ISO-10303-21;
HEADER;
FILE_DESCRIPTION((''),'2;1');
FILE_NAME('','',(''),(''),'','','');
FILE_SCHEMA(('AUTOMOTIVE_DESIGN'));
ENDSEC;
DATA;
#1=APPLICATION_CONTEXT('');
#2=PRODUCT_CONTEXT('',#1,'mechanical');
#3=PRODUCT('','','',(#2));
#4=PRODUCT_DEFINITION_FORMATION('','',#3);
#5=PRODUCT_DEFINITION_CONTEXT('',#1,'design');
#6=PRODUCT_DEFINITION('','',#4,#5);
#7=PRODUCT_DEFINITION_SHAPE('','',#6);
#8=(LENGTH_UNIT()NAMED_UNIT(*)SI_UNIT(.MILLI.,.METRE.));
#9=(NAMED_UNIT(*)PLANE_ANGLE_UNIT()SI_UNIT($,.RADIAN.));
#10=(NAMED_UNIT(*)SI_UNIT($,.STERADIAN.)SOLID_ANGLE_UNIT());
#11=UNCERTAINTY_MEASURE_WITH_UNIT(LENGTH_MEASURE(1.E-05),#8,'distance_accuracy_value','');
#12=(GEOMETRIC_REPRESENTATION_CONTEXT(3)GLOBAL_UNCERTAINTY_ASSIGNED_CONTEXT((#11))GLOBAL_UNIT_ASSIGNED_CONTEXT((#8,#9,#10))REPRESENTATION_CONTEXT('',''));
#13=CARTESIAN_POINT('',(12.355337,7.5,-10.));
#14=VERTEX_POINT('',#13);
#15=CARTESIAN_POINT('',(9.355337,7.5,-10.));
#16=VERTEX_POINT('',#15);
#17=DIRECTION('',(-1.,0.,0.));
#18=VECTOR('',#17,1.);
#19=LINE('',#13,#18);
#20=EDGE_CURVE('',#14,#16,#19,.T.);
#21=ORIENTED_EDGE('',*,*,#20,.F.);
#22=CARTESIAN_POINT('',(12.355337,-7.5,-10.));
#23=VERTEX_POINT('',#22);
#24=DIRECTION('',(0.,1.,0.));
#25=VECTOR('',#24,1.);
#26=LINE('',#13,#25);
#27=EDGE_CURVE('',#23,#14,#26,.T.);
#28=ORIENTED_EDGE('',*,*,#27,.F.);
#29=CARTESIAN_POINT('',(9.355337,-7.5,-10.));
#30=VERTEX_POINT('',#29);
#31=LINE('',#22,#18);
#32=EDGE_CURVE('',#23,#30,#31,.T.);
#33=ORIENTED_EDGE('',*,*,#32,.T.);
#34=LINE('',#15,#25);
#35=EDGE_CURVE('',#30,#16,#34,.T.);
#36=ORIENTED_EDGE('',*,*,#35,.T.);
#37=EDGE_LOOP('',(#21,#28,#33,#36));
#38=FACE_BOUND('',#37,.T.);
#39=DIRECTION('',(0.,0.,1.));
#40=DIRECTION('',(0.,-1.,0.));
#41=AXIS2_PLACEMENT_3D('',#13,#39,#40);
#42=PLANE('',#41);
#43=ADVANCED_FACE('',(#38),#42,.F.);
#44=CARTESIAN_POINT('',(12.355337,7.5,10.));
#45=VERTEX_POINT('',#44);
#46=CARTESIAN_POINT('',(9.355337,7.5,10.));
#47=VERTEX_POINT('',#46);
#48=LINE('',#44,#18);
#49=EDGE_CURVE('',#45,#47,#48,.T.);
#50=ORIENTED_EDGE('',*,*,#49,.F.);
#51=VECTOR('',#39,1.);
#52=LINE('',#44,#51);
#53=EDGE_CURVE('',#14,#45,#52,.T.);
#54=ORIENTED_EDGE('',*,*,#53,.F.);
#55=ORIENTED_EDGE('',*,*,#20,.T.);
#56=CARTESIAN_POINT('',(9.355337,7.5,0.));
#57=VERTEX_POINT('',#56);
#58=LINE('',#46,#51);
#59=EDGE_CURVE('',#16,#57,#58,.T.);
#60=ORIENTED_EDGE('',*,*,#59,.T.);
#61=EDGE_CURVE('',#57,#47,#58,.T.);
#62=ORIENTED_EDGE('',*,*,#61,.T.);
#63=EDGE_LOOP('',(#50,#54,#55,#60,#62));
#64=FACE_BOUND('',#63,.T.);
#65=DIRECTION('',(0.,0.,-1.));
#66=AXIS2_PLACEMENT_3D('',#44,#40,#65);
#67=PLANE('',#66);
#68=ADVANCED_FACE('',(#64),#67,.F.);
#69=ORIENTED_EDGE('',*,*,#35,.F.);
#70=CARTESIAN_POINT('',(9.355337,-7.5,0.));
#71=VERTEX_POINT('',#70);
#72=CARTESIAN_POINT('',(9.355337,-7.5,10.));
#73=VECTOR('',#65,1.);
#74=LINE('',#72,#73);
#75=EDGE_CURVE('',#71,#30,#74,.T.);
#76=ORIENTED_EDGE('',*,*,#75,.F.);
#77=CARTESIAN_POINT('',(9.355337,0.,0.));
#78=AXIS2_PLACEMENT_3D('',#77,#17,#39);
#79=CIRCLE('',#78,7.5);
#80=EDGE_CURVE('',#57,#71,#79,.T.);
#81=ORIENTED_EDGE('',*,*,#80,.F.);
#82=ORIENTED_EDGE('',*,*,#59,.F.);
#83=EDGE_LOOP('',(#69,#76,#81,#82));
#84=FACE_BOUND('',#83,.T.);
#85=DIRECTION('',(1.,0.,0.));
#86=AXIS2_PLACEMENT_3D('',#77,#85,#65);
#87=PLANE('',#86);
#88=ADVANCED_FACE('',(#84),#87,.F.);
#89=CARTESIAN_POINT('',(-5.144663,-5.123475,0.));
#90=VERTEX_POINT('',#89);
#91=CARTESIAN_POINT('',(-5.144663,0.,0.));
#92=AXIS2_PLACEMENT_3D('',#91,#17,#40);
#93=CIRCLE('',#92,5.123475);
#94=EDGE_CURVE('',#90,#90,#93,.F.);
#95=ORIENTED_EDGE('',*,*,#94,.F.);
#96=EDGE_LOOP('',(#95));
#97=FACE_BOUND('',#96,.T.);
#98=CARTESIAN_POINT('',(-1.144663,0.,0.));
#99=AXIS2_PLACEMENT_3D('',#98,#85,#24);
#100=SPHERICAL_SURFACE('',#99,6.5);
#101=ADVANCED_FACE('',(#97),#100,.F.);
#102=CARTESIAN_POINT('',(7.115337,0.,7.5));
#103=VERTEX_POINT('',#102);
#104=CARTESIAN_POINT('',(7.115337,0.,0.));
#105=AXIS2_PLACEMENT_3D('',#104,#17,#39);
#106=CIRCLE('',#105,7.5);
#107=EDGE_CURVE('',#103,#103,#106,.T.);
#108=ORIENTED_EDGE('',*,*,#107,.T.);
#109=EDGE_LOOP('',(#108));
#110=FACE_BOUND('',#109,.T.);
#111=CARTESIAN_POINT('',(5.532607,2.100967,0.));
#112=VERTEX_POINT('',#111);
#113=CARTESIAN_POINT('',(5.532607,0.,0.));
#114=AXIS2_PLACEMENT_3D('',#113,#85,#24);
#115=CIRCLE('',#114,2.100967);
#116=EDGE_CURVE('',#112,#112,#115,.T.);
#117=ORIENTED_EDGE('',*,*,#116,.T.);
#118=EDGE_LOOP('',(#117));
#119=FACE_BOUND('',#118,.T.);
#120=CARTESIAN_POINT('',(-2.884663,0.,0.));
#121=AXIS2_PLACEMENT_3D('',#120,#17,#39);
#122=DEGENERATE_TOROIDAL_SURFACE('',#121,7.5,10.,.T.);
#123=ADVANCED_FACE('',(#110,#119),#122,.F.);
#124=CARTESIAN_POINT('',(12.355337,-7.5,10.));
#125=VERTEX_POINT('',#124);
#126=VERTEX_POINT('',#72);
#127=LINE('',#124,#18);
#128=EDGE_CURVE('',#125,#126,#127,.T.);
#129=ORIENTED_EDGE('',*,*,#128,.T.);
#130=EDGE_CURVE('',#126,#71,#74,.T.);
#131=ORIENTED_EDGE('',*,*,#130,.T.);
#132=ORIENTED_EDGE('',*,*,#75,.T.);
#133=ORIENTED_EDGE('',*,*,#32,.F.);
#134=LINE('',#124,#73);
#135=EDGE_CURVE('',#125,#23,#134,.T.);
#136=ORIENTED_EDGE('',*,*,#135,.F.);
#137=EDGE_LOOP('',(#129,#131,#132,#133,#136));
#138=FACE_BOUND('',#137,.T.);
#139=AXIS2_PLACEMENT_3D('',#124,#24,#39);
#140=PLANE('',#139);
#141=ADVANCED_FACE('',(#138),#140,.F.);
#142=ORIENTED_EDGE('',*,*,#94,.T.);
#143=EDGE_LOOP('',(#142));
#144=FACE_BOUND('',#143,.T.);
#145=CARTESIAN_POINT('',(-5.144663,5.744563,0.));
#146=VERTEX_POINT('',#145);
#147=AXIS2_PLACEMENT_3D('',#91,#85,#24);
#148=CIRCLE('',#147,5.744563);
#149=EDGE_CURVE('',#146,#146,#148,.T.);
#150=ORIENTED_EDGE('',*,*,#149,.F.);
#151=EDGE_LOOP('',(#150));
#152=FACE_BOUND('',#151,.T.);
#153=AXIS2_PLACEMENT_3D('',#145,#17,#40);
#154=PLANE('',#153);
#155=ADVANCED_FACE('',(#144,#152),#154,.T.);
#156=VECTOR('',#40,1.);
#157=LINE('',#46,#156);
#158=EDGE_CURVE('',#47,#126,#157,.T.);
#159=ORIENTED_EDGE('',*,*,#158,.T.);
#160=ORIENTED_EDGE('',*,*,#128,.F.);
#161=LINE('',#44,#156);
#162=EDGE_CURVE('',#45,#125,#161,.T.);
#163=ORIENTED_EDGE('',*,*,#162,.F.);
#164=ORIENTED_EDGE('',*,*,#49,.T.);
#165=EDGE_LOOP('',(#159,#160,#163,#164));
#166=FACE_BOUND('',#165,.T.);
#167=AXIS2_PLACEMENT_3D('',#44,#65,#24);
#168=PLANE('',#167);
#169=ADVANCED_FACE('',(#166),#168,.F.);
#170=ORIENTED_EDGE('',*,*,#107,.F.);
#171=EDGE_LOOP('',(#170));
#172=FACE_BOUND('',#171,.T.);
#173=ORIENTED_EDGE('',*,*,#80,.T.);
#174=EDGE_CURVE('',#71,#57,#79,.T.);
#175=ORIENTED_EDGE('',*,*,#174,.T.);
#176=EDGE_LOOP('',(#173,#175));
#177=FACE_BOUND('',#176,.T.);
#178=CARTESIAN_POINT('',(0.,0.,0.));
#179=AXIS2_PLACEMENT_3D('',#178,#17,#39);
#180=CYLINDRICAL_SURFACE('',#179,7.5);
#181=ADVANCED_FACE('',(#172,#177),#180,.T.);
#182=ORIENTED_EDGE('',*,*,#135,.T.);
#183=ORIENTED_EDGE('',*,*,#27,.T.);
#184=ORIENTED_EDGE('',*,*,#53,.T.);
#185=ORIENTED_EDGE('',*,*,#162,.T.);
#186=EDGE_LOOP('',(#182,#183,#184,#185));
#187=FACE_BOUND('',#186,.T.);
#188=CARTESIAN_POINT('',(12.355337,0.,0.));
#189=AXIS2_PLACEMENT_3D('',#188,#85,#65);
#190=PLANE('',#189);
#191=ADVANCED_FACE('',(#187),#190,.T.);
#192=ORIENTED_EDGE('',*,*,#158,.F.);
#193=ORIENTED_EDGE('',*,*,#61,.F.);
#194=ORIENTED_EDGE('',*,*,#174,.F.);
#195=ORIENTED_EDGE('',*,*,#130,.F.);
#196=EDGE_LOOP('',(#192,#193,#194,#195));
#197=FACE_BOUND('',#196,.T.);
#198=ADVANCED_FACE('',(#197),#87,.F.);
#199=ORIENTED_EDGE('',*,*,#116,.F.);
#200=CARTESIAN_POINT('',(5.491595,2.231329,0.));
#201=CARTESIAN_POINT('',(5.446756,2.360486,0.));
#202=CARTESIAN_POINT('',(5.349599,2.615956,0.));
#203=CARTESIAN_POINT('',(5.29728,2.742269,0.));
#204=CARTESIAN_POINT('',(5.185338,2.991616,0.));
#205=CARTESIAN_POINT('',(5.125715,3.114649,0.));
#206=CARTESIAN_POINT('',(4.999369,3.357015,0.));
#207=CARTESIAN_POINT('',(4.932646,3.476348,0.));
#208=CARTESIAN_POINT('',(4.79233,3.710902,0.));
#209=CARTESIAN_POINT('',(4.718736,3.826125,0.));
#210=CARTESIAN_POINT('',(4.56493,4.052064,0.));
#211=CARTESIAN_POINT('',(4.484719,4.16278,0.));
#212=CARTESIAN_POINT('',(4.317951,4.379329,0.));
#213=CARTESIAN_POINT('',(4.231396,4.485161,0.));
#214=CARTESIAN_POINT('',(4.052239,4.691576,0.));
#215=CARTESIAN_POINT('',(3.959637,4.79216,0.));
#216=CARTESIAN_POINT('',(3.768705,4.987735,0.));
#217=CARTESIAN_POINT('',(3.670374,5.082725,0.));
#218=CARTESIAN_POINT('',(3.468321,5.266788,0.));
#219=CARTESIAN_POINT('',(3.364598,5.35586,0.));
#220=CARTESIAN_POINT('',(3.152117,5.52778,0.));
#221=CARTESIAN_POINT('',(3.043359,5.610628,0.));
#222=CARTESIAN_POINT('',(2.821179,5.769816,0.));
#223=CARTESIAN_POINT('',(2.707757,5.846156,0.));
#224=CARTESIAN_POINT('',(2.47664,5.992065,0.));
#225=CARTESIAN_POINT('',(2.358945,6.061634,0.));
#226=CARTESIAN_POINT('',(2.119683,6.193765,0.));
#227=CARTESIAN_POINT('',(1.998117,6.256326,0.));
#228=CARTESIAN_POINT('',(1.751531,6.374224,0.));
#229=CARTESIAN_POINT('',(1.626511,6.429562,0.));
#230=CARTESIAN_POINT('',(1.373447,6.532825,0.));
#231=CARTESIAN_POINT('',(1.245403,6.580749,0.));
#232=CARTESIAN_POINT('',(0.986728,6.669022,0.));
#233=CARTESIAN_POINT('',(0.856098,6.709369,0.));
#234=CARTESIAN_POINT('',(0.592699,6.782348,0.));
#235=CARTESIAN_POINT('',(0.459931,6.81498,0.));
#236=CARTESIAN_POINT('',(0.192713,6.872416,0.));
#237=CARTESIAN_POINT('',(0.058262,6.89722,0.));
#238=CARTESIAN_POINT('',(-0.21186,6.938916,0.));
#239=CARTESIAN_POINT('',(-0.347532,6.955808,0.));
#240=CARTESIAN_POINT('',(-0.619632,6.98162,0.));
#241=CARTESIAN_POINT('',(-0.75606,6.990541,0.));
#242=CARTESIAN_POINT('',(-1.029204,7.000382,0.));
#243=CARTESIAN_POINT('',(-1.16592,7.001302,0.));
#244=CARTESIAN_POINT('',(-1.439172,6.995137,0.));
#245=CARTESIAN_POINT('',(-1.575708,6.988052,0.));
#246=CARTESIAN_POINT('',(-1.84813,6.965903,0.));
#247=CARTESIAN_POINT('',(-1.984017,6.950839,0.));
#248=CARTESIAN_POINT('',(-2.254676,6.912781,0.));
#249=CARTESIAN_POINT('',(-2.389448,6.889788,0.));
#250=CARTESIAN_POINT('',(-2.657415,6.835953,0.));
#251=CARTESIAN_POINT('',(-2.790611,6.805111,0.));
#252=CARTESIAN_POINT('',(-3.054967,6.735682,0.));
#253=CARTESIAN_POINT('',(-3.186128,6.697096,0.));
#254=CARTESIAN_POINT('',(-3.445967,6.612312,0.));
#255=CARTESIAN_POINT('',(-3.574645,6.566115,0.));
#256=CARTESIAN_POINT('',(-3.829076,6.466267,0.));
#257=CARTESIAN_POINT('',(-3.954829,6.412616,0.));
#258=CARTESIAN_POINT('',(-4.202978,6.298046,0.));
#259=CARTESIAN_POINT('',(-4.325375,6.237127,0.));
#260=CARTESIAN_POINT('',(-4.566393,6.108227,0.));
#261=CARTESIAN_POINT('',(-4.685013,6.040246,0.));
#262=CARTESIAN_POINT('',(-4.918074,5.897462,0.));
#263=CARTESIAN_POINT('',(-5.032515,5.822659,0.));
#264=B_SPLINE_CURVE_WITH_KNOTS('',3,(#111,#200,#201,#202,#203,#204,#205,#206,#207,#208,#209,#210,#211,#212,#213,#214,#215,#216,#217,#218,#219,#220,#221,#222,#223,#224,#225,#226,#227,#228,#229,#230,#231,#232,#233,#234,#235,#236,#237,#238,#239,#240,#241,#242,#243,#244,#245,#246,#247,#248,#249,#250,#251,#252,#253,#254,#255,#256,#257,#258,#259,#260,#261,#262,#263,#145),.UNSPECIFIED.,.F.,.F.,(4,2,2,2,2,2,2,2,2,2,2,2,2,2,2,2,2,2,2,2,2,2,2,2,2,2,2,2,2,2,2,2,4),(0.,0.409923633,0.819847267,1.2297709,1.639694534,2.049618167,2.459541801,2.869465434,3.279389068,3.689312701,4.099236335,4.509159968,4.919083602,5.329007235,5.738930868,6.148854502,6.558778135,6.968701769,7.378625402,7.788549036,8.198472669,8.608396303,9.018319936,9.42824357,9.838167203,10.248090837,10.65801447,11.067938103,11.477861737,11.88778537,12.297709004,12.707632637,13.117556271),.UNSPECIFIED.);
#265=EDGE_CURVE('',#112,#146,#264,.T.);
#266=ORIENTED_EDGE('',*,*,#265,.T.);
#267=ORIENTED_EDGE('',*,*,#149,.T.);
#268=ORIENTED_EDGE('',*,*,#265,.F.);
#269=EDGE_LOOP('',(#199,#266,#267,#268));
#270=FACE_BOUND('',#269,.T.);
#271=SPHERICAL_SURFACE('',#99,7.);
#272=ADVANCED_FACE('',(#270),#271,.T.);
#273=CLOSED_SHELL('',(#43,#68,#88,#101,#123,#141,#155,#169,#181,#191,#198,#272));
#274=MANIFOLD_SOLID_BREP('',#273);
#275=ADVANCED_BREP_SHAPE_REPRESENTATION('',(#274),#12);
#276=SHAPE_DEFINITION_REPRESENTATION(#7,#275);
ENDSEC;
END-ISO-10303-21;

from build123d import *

# Parameters (mm, degrees)
VACIADO1_T              = -0.5
CROQUIS3_W              = 20
CROQUIS3_H              = 15
SALIENTE_EXTRUIR1_DEPTH = 3


with BuildPart() as part:
    # Croquis1 → Revolución1 (revolve)
    with BuildSketch(Plane.XY):
        with BuildLine():
            Line((5.855337127, 0), (-5.144662873, 0))
            Line((-5.144662873, 0), (-5.144662873, 5.744562647))
            ThreePointArc((-5.144662873, 5.744562647), (2.095707476, 6.204836823), (5.855337127, 0))
        make_face()
    revolve(axis=Axis((5.855337127, 0, 0), (-1, 0, 0)))

    # Vaciado1
    vaciado1_openings = [part.faces().sort_by_distance(p)[0] for p in [
        (-5.144662873, 0, 0),
    ]]
    offset(amount=VACIADO1_T, openings=vaciado1_openings, kind=Kind.INTERSECTION)

    # Croquis2 → Revolución2 (revolve)
    with BuildSketch(Plane.XY, mode=Mode.PRIVATE) as revoluci_n2_sk:
        with BuildLine():
            Line((5.855337127, 0), (9.355337127, 0))
            Line((9.355337127, 0), (9.355337127, -7.5))
            Line((9.355337127, -7.5), (7.115337127, -7.5))
            ThreePointArc((7.115337127, -7.5), (6.711500505, -4.686879238), (5.532607443, -2.100966713))
            Line((5.532607443, -2.100966713), (5.855337127, 0))
        make_face()
    revolve(revoluci_n2_sk.sketch.rotate(Axis((0, 0, 0), (1, 0, 0)), 180), axis=Axis((0, 0, 0), (1, 0, 0)))

    # Croquis3 → Saliente-Extruir1 (add)
    with BuildSketch(Plane(origin=(9.355337127, 0, 0), x_dir=(0, 0, -1), z_dir=(1, 0, 0))):
        Rectangle(CROQUIS3_W, CROQUIS3_H)
    extrude(amount=SALIENTE_EXTRUIR1_DEPTH)


solid = part.part
